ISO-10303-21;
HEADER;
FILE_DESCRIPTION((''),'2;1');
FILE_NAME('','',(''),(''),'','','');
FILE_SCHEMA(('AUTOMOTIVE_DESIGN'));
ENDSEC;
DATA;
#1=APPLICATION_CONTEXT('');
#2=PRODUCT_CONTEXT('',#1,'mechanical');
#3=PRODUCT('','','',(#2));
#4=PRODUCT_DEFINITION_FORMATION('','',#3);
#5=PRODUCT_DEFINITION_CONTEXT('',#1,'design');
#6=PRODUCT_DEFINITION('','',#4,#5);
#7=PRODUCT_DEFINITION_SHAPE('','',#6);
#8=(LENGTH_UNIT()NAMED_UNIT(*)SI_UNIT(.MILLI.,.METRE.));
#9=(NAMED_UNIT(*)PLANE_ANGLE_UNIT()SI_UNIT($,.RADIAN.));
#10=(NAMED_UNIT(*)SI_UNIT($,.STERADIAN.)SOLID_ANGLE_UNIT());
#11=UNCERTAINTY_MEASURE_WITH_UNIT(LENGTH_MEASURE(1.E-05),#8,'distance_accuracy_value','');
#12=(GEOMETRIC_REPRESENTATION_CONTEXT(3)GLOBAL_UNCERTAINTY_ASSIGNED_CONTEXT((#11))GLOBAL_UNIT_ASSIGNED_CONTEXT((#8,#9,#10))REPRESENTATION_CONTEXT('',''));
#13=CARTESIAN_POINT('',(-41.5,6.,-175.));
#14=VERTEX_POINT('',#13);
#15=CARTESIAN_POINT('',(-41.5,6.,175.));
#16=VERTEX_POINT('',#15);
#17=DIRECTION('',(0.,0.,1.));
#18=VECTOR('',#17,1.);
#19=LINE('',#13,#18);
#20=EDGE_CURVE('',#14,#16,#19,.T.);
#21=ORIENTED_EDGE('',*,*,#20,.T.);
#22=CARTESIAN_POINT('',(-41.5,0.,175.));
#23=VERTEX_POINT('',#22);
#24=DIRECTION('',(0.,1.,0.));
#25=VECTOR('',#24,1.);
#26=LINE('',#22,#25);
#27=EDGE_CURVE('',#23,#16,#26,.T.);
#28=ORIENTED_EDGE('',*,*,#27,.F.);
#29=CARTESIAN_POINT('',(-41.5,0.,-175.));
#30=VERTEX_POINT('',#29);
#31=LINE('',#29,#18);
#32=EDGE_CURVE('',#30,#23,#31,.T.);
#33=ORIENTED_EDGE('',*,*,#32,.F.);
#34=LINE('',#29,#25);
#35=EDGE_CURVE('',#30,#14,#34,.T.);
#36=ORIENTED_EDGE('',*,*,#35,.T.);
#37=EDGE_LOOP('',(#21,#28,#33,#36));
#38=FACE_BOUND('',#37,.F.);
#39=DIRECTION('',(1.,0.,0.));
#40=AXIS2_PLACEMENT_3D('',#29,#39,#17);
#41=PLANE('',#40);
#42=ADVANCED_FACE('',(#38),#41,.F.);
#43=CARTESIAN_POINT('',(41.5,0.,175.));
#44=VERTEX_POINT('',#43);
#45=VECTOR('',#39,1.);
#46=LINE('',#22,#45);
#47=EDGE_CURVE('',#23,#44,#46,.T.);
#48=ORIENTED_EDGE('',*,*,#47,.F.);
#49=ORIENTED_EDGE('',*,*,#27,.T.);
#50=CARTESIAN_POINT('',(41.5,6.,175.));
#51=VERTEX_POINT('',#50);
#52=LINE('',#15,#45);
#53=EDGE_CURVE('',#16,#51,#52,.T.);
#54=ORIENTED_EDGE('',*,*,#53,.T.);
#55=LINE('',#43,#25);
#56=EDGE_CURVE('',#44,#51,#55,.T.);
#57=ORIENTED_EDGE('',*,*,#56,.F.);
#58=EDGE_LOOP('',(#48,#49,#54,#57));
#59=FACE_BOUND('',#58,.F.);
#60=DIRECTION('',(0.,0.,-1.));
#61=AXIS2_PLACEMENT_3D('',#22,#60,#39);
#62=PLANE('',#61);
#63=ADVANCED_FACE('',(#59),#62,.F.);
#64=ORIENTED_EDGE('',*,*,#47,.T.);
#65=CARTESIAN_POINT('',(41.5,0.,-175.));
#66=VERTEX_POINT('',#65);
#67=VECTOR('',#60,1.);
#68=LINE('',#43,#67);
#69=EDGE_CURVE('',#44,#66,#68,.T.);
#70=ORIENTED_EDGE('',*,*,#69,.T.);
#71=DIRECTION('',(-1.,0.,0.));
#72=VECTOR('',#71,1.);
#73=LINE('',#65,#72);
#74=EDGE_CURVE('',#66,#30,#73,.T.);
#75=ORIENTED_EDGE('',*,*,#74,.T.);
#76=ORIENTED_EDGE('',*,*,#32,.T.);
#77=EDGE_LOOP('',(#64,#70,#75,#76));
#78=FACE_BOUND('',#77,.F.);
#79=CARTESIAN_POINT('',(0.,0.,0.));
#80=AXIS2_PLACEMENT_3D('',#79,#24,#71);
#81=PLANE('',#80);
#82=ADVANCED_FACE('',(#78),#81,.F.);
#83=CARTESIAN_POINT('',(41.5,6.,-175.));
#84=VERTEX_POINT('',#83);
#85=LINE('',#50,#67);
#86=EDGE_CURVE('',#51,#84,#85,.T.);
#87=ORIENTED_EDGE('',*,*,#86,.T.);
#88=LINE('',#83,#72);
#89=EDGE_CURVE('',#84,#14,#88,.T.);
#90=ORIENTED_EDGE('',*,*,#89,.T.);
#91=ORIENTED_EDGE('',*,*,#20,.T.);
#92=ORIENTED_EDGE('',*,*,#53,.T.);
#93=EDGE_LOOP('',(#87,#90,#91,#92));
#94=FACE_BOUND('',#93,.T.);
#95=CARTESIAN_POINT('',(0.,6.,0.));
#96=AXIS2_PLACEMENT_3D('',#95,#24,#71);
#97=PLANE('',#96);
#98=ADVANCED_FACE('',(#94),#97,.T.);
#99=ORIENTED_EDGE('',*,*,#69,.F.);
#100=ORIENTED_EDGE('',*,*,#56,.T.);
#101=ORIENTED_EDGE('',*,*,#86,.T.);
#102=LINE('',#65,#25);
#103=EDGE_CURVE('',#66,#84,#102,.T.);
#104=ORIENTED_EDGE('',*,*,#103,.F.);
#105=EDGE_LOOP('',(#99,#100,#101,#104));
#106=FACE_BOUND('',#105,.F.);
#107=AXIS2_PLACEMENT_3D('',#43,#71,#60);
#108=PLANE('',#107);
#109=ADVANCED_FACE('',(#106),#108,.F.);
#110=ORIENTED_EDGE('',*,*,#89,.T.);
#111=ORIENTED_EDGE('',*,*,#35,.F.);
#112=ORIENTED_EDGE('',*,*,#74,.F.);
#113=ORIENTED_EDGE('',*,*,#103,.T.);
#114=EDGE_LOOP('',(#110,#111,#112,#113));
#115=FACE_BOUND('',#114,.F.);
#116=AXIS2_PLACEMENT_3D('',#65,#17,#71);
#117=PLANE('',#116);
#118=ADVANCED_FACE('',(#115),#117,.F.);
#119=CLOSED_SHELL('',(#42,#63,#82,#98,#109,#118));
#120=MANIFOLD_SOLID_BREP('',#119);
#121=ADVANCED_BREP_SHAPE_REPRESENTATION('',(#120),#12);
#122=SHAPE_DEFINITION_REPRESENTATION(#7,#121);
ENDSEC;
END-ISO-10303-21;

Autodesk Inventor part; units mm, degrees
ref_plane "YZ Plane" through (0, 0, 0) normal (1, 0, 0) x (0, 1, 0)
ref_plane "XZ Plane" through (0, 0, 0) normal (0, 1, 0) x (-1, 0, 0)
ref_plane "XY Plane" through (0, 0, 0) normal (0, 0, 1) x (1, 0, 0)
sketch "Sketch1" plane through (0, 0, 0) normal (0, 1, 0) x (-1, 0, 0)
  line L0 (41.5, 175) -> (-41.5, 175)
  line L1 (-41.5, 175) -> (-41.5, -175)
  line L2 (-41.5, -175) -> (41.5, -175)
  line L3 (41.5, -175) -> (41.5, 175)
  line L4 (41.5, 175) -> (-41.5, -175) construction
  line L5 (-41.5, 175) -> (41.5, -175) construction
  point P0 (0, 0)
  dimension "d0" = 83
  dimension "d1" = 350
extrude "Extrusion1" add sketch "Sketch1" along normal blind 6
properties part number "Zijkanten" material "Wood (Cherry)"
